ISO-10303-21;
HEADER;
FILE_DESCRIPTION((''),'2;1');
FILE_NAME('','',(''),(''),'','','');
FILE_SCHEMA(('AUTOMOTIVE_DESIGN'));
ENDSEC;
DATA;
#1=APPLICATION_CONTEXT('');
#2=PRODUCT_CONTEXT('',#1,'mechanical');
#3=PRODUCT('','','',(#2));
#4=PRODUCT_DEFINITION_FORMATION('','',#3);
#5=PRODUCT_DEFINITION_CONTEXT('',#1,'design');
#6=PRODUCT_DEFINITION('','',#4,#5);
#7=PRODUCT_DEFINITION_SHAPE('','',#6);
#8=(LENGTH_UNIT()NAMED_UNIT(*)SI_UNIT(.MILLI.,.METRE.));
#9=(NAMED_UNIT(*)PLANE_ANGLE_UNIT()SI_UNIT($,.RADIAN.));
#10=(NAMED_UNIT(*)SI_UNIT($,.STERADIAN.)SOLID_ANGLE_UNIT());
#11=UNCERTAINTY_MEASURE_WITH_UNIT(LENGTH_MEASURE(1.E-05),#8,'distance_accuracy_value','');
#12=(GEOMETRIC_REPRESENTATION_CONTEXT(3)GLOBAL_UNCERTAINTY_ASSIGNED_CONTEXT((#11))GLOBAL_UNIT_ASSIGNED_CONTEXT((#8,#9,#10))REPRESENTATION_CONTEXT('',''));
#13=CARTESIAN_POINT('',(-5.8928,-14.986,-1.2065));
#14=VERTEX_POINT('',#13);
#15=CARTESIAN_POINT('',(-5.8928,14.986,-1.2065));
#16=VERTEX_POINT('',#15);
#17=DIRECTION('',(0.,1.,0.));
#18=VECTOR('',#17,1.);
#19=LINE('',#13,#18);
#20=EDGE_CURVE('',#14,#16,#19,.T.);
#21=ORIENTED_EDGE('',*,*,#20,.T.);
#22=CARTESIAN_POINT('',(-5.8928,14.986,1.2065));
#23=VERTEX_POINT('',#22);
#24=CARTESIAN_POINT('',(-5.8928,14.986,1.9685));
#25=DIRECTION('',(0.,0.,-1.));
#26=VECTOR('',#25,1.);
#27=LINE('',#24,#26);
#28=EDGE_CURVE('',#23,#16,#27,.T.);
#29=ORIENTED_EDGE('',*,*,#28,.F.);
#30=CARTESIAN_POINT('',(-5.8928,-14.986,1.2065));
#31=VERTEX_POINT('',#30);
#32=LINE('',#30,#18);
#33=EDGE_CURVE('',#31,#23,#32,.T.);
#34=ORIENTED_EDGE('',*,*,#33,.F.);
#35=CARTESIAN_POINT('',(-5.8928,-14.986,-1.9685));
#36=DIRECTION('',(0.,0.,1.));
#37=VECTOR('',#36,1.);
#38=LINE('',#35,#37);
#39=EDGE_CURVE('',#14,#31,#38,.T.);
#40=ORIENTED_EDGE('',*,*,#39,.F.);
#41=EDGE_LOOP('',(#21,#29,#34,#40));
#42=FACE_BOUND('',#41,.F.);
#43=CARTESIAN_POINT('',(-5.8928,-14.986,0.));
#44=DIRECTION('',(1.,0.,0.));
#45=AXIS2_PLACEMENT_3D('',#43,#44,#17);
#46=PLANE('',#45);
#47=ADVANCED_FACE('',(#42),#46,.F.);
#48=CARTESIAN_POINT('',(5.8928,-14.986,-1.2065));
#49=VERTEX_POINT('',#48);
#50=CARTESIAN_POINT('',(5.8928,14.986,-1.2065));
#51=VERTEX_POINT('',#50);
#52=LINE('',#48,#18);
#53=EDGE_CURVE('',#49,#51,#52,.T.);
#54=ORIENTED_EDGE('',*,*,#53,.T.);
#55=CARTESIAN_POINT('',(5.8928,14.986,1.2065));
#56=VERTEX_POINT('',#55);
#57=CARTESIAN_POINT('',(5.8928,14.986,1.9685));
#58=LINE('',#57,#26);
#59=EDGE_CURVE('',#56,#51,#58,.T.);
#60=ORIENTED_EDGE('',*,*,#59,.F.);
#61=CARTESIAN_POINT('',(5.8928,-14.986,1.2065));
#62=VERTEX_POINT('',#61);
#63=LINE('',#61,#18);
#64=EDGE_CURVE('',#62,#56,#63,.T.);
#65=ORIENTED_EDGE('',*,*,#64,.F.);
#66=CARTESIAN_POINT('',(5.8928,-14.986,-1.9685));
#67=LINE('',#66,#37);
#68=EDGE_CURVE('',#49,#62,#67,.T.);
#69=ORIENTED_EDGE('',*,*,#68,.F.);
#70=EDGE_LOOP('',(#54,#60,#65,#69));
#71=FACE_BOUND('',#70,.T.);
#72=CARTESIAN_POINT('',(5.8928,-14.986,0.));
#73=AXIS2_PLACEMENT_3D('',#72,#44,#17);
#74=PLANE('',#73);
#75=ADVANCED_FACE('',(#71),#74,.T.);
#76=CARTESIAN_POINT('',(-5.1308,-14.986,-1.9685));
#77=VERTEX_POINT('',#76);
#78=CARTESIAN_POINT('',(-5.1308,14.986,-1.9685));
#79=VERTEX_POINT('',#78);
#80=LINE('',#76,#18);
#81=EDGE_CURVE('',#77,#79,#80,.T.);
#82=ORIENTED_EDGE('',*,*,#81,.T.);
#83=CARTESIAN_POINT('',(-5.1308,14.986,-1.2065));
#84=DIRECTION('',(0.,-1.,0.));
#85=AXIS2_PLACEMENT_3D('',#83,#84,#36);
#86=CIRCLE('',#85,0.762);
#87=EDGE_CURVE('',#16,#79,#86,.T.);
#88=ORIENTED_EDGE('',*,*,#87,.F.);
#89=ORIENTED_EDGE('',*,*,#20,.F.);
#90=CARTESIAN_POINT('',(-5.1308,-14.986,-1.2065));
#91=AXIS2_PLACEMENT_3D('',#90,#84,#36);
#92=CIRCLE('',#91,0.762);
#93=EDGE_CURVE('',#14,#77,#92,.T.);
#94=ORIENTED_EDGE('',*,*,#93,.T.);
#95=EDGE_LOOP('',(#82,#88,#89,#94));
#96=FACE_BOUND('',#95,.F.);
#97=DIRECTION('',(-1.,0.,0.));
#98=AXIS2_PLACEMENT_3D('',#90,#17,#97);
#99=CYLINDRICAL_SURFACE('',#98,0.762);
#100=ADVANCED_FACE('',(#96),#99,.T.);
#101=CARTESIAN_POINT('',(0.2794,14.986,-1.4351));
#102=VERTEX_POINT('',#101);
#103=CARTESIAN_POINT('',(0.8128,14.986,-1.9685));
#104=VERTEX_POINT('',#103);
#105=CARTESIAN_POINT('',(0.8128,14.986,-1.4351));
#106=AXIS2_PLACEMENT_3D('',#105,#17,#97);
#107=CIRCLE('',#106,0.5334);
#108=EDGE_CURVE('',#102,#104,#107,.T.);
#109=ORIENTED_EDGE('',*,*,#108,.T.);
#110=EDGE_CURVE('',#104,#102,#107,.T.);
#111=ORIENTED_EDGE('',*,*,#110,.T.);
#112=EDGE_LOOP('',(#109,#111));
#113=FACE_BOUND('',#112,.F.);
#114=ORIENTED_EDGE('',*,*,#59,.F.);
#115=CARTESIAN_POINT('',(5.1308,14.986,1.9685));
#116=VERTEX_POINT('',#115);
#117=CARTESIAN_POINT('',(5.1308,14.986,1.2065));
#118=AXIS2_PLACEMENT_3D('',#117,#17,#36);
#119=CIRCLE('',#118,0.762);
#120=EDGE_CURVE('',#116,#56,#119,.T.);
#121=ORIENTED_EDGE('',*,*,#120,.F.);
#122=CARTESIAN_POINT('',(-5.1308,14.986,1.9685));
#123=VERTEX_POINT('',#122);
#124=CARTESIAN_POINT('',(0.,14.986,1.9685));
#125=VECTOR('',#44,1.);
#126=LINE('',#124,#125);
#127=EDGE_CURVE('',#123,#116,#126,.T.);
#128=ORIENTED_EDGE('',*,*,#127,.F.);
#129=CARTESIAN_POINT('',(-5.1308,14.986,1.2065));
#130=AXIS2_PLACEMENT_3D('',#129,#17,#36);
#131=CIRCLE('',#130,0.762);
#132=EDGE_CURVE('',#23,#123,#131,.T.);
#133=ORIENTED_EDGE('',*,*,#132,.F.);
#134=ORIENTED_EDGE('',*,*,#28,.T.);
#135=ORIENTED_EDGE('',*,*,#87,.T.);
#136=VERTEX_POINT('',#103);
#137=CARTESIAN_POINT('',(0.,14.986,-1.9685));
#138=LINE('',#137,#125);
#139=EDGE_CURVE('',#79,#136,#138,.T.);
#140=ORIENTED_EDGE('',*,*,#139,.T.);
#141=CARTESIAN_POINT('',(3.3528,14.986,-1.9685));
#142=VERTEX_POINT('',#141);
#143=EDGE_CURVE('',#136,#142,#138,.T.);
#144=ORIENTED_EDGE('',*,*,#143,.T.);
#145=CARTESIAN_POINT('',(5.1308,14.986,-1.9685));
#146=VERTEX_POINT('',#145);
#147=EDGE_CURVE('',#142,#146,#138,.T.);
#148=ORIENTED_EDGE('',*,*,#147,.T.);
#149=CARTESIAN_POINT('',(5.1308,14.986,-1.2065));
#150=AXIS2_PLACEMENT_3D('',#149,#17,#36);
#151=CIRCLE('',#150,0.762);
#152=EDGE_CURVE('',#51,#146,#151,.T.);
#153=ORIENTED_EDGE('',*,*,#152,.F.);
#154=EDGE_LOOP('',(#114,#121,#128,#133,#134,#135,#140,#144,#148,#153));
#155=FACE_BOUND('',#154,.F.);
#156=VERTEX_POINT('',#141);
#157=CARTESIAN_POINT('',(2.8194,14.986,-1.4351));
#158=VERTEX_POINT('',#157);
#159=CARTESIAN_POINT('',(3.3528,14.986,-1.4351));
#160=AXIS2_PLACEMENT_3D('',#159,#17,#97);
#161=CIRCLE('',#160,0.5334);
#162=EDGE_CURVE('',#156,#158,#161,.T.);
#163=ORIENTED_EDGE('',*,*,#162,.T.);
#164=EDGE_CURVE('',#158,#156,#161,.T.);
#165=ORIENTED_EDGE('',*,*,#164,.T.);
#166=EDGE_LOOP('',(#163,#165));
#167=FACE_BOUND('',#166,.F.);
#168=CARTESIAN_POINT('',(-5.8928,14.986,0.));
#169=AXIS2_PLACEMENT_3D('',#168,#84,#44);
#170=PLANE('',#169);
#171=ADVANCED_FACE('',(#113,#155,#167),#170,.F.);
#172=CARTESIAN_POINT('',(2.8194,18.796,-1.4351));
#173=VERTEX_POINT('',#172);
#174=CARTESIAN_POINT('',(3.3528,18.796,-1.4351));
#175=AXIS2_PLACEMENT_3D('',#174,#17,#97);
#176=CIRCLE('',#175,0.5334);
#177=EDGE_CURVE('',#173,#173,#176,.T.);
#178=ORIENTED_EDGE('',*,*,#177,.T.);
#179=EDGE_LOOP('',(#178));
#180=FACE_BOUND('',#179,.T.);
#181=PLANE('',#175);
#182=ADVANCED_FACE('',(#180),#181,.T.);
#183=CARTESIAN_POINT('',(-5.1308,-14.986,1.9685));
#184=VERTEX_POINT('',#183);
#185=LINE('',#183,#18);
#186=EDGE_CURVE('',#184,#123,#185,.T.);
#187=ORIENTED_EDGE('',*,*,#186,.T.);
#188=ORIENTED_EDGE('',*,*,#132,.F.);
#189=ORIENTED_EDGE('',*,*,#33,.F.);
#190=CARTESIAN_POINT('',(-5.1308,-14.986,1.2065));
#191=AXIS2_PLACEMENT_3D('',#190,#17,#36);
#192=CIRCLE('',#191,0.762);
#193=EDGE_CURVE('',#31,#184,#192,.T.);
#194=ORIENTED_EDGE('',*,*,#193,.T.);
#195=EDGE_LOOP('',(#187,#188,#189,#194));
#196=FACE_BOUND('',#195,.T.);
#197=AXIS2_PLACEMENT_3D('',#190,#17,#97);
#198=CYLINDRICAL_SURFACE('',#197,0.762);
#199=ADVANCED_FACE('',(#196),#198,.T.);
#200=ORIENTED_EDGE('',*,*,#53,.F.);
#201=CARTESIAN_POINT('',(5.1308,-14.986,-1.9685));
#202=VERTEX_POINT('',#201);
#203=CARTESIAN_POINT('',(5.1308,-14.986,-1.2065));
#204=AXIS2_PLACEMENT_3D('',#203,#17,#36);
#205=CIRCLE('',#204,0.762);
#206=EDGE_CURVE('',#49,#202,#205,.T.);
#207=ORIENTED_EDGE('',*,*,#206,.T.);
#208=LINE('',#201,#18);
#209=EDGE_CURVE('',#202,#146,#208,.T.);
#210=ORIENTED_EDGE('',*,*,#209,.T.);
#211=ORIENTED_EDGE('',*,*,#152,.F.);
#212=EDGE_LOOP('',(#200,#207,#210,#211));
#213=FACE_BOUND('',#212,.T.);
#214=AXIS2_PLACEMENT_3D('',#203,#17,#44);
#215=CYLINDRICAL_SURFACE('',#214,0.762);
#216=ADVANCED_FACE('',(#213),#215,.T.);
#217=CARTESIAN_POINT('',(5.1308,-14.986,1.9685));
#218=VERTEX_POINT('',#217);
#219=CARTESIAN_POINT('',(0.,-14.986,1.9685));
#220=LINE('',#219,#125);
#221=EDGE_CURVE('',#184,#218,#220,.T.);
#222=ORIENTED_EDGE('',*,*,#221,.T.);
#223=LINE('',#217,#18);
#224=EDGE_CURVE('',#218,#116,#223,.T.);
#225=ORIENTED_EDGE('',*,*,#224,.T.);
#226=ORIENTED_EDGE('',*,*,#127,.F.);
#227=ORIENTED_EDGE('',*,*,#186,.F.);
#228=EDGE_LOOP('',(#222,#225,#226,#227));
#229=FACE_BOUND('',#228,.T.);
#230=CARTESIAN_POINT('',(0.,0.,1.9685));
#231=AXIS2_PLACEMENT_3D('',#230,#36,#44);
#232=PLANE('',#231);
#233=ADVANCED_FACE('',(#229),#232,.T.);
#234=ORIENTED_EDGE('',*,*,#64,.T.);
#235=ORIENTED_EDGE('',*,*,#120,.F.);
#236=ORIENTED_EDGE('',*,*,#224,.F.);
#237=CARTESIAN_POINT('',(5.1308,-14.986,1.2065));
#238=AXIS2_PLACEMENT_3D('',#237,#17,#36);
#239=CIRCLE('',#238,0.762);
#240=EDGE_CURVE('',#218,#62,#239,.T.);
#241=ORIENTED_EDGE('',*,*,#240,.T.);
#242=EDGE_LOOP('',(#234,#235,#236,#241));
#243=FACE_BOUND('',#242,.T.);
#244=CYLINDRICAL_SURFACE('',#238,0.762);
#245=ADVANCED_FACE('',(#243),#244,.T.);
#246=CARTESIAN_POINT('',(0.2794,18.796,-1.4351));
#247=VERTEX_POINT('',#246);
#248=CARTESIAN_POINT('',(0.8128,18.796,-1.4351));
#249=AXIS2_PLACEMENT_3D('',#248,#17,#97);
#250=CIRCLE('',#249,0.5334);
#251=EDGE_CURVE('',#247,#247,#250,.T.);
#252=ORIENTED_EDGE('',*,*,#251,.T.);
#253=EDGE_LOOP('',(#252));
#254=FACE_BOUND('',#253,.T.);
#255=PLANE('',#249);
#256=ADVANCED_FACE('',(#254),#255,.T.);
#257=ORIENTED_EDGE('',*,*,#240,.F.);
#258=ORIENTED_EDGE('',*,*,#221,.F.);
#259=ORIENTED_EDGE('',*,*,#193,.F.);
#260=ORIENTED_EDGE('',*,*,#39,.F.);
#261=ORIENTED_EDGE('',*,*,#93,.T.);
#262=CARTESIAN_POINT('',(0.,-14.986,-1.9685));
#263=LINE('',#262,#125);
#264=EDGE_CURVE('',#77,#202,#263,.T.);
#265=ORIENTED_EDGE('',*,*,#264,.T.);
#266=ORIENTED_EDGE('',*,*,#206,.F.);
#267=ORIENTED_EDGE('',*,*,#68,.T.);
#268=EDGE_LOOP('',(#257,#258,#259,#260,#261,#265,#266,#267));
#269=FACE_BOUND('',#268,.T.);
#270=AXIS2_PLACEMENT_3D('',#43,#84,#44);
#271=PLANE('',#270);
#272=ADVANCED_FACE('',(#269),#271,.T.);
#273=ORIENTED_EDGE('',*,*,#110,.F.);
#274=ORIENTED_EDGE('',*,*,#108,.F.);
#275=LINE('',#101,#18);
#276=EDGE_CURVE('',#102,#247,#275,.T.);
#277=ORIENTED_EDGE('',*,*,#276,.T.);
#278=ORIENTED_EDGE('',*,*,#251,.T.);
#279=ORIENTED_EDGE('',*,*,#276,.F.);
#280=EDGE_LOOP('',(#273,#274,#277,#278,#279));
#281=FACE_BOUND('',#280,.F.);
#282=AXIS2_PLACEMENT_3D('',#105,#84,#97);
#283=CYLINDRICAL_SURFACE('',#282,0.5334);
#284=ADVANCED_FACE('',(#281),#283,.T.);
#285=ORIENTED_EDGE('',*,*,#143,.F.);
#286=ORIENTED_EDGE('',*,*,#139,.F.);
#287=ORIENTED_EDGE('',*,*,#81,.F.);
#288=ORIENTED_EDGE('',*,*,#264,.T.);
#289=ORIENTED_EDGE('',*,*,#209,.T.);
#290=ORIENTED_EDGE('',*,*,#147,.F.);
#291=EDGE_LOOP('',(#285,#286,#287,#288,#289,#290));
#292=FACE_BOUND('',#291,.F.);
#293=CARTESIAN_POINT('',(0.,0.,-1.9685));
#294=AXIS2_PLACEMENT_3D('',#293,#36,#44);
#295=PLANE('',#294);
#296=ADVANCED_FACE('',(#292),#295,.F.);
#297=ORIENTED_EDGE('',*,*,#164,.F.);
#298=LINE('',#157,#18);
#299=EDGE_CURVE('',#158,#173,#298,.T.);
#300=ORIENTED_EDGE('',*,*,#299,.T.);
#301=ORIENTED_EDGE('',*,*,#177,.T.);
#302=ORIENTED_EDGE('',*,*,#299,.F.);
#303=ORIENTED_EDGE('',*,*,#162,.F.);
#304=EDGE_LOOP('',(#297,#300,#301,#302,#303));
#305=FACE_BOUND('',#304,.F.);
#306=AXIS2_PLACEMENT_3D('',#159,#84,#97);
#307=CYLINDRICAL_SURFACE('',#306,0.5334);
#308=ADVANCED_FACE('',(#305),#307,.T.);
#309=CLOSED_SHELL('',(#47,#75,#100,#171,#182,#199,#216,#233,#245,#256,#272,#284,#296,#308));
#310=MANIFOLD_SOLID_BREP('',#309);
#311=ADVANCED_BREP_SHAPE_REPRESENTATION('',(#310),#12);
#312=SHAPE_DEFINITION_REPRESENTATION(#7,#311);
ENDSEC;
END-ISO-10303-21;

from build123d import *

# Parameters (mm, degrees)
F0_W     = 11.7856
F0_H     = 29.972
F1_DEPTH = 1.9685
F2_R     = 0.762
F3_R     = 0.5334
F4_DEPTH = 3.81


with BuildPart() as f1:
    # F0 (on Top) → F1 (new body, symmetric)
    with BuildSketch(Plane.XY):
        Rectangle(F0_W, F0_H)
    extrude(amount=F1_DEPTH, both=True)

    # F2
    f2_edges = [f1.edges().sort_by_distance(p)[0] for p in [
        (-5.8928, 0, 1.9685),
        (-5.8928, 0, -1.9685),
        (5.8928, 0, -1.9685),
        (5.8928, 0, 1.9685),
    ]]
    fillet(f2_edges, radius=F2_R)

    # F3 (on face) → F4 (join)
    with BuildSketch(Plane(origin=(0, 14.986, 0), x_dir=(-1, 0, 0), z_dir=(0, 1, 0))):
        with Locations((-3.3528, -1.4351)):
            Circle(F3_R)
        with Locations((-0.8128, -1.4351)):
            Circle(F3_R)
    extrude(amount=F4_DEPTH)


solid = f1.part
